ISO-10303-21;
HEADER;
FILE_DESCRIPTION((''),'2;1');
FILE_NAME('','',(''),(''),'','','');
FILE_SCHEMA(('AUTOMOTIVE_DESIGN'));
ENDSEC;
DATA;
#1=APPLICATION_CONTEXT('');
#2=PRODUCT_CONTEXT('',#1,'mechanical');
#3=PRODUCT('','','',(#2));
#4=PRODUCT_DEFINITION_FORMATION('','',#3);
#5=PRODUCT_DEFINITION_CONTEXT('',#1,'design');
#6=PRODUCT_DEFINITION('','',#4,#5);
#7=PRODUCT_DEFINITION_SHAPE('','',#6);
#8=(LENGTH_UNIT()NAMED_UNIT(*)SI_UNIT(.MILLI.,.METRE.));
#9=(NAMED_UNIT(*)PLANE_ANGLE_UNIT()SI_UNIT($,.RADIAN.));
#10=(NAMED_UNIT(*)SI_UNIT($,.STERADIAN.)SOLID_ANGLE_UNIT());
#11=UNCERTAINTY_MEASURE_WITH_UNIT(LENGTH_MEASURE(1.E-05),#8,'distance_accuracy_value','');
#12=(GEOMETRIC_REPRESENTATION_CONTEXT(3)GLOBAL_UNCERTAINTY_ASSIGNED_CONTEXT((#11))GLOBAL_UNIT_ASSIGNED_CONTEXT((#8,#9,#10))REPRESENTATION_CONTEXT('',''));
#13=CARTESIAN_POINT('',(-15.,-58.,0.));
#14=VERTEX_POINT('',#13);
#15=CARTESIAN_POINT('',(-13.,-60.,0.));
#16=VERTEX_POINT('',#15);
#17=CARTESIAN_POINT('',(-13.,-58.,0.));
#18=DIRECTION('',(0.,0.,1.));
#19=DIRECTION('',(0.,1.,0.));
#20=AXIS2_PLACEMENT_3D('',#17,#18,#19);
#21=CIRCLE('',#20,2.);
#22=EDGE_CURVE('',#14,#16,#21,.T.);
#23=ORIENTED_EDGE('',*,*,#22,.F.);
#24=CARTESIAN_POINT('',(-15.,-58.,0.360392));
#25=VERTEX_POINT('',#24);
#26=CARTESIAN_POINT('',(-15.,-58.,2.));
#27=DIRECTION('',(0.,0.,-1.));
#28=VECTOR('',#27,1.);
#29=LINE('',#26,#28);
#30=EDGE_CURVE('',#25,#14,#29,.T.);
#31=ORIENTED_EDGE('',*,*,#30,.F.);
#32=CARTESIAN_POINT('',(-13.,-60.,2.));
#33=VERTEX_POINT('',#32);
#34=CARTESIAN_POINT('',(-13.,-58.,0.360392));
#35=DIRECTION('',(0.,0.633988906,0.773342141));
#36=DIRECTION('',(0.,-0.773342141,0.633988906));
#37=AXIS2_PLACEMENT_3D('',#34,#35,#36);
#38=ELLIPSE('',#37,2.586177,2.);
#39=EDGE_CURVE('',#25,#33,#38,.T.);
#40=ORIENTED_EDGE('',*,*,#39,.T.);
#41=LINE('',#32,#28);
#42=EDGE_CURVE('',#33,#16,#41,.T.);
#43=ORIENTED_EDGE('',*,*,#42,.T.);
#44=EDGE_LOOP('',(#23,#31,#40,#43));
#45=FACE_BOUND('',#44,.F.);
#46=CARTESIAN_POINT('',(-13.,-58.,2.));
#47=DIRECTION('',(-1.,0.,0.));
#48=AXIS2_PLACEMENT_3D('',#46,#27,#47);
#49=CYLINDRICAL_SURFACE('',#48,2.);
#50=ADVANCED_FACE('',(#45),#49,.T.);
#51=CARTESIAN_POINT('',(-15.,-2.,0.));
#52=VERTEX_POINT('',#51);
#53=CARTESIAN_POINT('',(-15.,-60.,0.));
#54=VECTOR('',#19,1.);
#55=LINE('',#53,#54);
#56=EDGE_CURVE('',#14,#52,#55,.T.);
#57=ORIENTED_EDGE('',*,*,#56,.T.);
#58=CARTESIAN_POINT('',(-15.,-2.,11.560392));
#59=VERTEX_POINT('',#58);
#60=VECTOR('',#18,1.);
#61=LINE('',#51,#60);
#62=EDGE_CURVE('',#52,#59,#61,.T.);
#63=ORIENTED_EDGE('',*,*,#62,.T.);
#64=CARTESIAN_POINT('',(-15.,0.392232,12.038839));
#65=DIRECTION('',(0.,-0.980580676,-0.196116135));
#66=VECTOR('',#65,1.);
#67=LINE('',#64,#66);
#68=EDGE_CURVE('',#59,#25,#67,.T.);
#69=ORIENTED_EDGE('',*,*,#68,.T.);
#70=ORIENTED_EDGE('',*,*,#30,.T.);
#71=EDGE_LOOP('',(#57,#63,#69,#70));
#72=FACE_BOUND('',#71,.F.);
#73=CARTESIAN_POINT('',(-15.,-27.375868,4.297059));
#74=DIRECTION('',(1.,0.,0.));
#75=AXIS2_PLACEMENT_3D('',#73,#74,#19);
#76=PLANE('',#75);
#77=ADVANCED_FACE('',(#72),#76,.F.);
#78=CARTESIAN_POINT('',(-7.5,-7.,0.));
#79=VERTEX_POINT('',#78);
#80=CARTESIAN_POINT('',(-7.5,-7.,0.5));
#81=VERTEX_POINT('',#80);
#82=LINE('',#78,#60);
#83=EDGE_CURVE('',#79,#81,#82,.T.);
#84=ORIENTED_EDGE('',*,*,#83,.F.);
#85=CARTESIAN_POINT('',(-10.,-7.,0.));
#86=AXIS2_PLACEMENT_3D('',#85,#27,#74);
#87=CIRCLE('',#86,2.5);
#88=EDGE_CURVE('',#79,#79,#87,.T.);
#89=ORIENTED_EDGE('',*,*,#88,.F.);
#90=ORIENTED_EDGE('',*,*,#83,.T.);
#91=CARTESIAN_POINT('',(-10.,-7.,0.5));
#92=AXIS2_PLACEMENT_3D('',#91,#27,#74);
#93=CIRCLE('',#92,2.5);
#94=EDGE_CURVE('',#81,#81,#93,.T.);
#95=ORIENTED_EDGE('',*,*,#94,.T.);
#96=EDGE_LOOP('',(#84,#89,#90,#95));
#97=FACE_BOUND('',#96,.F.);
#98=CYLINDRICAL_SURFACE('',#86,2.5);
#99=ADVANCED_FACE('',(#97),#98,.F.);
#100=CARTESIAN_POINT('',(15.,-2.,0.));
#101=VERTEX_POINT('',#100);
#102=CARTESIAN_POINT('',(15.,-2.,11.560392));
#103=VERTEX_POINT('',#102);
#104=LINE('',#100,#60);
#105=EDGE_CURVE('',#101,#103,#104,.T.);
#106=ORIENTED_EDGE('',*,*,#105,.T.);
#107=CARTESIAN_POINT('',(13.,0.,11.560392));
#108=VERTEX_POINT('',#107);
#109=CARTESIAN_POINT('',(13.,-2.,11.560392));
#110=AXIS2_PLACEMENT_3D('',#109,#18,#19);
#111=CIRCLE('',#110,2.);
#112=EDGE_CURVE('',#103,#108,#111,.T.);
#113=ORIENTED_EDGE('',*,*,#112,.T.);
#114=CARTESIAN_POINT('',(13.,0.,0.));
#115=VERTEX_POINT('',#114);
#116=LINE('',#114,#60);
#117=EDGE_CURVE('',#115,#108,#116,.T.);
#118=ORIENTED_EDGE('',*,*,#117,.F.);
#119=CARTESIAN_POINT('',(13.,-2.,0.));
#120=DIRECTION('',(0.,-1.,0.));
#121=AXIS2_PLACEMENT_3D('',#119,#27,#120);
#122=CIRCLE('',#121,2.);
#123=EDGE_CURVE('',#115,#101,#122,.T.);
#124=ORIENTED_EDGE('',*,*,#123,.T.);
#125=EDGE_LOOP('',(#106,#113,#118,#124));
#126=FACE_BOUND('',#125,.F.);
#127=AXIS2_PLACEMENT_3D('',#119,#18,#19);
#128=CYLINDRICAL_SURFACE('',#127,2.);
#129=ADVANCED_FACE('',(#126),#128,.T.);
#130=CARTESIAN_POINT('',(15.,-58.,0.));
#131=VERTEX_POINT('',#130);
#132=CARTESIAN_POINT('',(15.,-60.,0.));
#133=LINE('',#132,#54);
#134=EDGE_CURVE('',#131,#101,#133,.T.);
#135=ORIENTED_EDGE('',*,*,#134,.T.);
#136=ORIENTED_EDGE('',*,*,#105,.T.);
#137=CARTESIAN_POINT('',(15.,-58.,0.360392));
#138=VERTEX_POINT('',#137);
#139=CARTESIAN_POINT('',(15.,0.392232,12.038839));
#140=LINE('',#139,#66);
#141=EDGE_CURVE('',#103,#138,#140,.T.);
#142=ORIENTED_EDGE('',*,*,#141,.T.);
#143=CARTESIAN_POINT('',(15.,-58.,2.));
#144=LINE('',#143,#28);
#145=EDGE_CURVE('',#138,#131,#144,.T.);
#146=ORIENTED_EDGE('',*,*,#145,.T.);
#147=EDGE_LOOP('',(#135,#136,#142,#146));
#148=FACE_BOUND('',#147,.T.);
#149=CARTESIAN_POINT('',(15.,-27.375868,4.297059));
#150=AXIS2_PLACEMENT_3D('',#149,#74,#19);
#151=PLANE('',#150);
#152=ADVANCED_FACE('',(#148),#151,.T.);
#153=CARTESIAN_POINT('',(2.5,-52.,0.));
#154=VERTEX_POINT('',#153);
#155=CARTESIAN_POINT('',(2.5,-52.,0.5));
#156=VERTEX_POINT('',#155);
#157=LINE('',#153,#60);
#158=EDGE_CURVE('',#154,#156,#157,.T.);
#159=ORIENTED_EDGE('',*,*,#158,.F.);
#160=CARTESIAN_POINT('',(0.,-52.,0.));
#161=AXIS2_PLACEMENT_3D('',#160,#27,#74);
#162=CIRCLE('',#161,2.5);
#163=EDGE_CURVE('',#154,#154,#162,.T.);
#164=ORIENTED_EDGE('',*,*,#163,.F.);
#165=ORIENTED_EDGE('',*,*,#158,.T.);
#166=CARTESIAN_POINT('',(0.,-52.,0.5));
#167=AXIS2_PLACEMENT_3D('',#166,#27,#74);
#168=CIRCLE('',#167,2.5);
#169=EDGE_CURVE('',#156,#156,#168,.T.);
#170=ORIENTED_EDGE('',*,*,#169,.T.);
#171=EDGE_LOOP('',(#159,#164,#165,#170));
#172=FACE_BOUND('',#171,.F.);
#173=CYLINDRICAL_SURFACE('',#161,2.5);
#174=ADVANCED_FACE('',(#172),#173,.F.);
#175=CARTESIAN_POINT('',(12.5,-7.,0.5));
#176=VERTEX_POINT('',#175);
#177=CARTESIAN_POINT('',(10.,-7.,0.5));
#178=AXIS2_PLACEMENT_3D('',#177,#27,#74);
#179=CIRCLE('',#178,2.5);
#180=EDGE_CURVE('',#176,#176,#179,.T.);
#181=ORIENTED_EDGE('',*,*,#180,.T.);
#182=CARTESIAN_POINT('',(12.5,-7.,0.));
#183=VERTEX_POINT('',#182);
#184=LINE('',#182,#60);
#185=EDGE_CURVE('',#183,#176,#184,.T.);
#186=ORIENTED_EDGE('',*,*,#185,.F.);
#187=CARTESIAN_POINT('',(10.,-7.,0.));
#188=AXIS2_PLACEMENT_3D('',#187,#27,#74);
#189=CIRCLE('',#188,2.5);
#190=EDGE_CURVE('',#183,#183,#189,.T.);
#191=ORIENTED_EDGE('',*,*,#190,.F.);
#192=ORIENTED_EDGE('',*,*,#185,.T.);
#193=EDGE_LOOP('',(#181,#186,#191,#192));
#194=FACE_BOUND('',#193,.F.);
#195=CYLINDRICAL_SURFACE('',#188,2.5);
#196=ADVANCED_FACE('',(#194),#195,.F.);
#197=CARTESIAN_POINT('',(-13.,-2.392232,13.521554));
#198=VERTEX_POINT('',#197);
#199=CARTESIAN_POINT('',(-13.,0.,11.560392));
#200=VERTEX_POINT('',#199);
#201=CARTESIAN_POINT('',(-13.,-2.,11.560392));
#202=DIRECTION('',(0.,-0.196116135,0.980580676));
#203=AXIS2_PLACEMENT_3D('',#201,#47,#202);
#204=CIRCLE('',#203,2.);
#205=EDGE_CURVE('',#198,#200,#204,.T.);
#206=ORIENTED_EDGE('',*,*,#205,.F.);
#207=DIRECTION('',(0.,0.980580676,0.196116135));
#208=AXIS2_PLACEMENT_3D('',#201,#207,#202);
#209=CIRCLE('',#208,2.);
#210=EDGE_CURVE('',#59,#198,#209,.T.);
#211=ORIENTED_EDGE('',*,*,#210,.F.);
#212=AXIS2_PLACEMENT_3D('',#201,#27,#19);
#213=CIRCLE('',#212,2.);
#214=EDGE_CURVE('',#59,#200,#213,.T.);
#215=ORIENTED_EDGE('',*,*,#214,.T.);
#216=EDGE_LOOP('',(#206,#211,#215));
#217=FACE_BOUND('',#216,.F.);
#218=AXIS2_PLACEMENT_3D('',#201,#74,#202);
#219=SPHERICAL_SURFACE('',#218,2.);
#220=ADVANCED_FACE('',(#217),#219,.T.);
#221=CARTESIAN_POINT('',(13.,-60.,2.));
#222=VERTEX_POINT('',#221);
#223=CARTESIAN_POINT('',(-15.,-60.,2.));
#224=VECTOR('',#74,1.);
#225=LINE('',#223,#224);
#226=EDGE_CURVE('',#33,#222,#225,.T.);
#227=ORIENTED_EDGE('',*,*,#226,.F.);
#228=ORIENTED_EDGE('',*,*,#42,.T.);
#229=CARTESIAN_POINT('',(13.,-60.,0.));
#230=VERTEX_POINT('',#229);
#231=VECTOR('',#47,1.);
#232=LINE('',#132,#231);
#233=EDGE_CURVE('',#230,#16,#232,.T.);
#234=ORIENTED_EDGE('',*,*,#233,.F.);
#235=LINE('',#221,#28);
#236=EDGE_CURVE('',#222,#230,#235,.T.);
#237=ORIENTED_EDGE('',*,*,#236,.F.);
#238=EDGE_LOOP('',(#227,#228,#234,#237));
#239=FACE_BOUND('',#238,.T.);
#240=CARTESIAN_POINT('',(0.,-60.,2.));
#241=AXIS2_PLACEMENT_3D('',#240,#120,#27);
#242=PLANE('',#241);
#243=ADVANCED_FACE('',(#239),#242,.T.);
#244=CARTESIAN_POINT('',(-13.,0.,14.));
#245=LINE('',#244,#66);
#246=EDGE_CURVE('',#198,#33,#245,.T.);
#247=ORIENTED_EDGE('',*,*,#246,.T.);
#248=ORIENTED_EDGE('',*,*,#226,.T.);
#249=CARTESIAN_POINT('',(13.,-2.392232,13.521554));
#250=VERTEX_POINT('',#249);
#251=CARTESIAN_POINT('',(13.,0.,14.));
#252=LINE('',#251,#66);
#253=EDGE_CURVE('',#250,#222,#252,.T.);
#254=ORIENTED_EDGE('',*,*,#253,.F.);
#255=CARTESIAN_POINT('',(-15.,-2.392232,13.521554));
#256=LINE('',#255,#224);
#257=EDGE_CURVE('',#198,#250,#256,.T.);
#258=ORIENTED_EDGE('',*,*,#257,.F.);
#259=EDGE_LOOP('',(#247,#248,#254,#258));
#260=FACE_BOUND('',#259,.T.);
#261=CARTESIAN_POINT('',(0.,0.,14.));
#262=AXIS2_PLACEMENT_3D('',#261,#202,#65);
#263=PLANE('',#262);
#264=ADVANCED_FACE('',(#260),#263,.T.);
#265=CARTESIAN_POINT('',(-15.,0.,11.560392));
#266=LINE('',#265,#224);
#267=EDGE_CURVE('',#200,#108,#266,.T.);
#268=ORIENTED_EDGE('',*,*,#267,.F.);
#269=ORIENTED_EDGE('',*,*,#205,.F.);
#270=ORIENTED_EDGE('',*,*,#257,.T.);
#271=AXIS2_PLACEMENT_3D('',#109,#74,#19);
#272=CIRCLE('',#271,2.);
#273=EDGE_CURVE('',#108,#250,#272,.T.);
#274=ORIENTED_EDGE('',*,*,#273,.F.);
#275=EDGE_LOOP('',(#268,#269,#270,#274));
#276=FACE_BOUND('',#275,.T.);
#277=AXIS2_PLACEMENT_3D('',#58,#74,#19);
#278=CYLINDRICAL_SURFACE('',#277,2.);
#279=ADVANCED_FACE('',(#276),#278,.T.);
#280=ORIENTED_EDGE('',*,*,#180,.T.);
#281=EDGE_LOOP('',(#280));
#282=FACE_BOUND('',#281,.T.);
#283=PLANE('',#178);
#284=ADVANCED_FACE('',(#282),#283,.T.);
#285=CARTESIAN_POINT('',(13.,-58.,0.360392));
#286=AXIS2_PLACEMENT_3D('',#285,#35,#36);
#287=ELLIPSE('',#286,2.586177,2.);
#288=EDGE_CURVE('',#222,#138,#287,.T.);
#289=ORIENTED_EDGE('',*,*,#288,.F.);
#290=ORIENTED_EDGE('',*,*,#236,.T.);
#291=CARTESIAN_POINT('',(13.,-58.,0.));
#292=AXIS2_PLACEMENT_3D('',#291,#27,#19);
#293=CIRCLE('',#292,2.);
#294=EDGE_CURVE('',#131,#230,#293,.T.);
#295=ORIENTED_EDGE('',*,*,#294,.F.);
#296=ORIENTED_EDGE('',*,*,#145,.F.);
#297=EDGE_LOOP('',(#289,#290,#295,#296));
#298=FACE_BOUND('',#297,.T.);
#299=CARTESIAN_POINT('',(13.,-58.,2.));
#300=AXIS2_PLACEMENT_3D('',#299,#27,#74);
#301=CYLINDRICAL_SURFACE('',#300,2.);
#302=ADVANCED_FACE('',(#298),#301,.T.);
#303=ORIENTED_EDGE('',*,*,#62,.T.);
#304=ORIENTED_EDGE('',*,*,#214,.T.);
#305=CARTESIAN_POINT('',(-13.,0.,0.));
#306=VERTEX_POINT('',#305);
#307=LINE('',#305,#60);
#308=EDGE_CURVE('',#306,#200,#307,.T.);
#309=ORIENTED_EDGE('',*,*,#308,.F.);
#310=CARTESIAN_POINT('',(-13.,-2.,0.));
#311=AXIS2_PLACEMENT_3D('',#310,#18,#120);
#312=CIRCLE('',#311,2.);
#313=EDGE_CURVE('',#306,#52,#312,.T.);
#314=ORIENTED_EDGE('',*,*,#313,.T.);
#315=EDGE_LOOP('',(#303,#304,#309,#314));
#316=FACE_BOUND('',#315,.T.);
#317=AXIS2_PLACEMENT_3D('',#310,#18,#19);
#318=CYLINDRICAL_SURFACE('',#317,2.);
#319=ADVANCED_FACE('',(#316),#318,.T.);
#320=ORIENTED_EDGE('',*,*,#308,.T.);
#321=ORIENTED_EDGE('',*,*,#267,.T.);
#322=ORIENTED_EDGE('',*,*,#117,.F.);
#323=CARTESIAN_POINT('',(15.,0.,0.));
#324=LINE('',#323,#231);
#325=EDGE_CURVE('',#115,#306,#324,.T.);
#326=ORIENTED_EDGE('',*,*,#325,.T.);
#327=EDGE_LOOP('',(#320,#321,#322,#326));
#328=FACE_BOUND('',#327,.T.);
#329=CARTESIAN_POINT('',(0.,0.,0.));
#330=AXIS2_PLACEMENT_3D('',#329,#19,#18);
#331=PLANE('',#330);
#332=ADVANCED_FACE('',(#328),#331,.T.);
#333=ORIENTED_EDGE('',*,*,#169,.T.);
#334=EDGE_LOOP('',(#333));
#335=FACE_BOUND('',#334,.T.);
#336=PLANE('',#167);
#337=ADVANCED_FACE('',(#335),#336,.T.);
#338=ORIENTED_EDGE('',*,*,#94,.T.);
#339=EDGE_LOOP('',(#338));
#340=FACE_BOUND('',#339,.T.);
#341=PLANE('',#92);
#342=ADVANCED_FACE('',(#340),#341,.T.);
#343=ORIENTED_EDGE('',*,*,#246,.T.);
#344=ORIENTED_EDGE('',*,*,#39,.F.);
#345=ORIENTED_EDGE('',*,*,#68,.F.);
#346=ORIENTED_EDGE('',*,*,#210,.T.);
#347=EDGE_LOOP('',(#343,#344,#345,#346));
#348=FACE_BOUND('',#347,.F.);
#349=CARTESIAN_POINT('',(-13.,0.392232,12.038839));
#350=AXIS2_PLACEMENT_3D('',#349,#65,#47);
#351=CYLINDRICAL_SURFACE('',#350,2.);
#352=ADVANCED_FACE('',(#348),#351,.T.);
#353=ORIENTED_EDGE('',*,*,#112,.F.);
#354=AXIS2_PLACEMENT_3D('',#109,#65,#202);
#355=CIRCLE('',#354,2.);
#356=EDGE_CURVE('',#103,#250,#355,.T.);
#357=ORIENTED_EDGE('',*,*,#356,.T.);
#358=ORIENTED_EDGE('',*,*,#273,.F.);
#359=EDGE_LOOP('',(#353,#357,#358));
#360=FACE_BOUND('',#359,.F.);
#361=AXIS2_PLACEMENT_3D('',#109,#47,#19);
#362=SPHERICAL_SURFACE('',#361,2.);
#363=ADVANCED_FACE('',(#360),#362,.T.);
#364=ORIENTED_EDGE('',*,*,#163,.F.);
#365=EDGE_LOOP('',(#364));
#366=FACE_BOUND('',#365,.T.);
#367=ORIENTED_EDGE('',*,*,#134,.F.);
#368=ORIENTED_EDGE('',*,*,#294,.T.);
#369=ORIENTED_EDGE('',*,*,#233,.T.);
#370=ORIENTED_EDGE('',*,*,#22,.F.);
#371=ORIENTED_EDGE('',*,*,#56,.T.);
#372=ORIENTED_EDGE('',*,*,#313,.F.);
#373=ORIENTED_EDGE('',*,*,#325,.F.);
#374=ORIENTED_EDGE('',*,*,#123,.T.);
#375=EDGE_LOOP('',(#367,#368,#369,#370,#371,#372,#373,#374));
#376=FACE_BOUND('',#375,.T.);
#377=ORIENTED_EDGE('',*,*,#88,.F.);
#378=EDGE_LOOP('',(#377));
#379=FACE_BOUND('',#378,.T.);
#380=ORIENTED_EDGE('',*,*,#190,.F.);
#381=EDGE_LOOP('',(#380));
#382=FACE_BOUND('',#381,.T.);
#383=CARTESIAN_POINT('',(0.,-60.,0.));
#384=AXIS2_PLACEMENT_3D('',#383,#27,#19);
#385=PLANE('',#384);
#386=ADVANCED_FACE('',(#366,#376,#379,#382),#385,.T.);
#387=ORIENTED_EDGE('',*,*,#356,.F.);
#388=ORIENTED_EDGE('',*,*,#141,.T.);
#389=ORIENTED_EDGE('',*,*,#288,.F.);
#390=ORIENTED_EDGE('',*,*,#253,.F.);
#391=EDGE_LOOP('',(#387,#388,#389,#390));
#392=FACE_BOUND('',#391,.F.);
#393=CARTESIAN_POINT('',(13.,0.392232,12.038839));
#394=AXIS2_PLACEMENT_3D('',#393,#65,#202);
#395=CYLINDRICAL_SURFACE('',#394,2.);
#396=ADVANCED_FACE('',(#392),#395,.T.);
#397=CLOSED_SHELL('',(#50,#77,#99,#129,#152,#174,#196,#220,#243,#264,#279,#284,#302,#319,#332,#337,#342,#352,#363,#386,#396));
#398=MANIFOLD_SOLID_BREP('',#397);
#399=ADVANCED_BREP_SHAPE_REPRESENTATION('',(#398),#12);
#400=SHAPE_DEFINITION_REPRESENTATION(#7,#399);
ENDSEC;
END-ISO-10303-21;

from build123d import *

# Parameters (mm, degrees)
F1_DEPTH = 15
F2_R     = 2.5
F3_DEPTH = 0.5
F4_R     = 2


with BuildPart() as f1:
    # F0 (on Right) → F1 (new body, symmetric)
    with BuildSketch(Plane.YZ):
        Polygon((0, 0), (0, 14), (-60, 2), (-60, 0), align=None)
    extrude(amount=F1_DEPTH, both=True)

    # F2 (on face) → F3 (cut)
    with BuildSketch(Plane(origin=(0, 0, 0), x_dir=(1, 0, 0), z_dir=(0, 0, -1))):
        with Locations((0, 52)):
            Circle(F2_R)
        with Locations((10, 7)):
            Circle(F2_R)
        with Locations((-10, 7)):
            Circle(F2_R)
    extrude(amount=-F3_DEPTH, mode=Mode.SUBTRACT)

    # F4
    f4_edges = [f1.edges().sort_by_distance(p)[0] for p in [
        (15, -30, 8),
        (-15, -30, 8),
        (-15, 0, 7),
        (0, 0, 14),
        (15, 0, 7),
        (-15, -60, 1),
        (15, -60, 1),
    ]]
    fillet(f4_edges, radius=F4_R)


solid = f1.part
